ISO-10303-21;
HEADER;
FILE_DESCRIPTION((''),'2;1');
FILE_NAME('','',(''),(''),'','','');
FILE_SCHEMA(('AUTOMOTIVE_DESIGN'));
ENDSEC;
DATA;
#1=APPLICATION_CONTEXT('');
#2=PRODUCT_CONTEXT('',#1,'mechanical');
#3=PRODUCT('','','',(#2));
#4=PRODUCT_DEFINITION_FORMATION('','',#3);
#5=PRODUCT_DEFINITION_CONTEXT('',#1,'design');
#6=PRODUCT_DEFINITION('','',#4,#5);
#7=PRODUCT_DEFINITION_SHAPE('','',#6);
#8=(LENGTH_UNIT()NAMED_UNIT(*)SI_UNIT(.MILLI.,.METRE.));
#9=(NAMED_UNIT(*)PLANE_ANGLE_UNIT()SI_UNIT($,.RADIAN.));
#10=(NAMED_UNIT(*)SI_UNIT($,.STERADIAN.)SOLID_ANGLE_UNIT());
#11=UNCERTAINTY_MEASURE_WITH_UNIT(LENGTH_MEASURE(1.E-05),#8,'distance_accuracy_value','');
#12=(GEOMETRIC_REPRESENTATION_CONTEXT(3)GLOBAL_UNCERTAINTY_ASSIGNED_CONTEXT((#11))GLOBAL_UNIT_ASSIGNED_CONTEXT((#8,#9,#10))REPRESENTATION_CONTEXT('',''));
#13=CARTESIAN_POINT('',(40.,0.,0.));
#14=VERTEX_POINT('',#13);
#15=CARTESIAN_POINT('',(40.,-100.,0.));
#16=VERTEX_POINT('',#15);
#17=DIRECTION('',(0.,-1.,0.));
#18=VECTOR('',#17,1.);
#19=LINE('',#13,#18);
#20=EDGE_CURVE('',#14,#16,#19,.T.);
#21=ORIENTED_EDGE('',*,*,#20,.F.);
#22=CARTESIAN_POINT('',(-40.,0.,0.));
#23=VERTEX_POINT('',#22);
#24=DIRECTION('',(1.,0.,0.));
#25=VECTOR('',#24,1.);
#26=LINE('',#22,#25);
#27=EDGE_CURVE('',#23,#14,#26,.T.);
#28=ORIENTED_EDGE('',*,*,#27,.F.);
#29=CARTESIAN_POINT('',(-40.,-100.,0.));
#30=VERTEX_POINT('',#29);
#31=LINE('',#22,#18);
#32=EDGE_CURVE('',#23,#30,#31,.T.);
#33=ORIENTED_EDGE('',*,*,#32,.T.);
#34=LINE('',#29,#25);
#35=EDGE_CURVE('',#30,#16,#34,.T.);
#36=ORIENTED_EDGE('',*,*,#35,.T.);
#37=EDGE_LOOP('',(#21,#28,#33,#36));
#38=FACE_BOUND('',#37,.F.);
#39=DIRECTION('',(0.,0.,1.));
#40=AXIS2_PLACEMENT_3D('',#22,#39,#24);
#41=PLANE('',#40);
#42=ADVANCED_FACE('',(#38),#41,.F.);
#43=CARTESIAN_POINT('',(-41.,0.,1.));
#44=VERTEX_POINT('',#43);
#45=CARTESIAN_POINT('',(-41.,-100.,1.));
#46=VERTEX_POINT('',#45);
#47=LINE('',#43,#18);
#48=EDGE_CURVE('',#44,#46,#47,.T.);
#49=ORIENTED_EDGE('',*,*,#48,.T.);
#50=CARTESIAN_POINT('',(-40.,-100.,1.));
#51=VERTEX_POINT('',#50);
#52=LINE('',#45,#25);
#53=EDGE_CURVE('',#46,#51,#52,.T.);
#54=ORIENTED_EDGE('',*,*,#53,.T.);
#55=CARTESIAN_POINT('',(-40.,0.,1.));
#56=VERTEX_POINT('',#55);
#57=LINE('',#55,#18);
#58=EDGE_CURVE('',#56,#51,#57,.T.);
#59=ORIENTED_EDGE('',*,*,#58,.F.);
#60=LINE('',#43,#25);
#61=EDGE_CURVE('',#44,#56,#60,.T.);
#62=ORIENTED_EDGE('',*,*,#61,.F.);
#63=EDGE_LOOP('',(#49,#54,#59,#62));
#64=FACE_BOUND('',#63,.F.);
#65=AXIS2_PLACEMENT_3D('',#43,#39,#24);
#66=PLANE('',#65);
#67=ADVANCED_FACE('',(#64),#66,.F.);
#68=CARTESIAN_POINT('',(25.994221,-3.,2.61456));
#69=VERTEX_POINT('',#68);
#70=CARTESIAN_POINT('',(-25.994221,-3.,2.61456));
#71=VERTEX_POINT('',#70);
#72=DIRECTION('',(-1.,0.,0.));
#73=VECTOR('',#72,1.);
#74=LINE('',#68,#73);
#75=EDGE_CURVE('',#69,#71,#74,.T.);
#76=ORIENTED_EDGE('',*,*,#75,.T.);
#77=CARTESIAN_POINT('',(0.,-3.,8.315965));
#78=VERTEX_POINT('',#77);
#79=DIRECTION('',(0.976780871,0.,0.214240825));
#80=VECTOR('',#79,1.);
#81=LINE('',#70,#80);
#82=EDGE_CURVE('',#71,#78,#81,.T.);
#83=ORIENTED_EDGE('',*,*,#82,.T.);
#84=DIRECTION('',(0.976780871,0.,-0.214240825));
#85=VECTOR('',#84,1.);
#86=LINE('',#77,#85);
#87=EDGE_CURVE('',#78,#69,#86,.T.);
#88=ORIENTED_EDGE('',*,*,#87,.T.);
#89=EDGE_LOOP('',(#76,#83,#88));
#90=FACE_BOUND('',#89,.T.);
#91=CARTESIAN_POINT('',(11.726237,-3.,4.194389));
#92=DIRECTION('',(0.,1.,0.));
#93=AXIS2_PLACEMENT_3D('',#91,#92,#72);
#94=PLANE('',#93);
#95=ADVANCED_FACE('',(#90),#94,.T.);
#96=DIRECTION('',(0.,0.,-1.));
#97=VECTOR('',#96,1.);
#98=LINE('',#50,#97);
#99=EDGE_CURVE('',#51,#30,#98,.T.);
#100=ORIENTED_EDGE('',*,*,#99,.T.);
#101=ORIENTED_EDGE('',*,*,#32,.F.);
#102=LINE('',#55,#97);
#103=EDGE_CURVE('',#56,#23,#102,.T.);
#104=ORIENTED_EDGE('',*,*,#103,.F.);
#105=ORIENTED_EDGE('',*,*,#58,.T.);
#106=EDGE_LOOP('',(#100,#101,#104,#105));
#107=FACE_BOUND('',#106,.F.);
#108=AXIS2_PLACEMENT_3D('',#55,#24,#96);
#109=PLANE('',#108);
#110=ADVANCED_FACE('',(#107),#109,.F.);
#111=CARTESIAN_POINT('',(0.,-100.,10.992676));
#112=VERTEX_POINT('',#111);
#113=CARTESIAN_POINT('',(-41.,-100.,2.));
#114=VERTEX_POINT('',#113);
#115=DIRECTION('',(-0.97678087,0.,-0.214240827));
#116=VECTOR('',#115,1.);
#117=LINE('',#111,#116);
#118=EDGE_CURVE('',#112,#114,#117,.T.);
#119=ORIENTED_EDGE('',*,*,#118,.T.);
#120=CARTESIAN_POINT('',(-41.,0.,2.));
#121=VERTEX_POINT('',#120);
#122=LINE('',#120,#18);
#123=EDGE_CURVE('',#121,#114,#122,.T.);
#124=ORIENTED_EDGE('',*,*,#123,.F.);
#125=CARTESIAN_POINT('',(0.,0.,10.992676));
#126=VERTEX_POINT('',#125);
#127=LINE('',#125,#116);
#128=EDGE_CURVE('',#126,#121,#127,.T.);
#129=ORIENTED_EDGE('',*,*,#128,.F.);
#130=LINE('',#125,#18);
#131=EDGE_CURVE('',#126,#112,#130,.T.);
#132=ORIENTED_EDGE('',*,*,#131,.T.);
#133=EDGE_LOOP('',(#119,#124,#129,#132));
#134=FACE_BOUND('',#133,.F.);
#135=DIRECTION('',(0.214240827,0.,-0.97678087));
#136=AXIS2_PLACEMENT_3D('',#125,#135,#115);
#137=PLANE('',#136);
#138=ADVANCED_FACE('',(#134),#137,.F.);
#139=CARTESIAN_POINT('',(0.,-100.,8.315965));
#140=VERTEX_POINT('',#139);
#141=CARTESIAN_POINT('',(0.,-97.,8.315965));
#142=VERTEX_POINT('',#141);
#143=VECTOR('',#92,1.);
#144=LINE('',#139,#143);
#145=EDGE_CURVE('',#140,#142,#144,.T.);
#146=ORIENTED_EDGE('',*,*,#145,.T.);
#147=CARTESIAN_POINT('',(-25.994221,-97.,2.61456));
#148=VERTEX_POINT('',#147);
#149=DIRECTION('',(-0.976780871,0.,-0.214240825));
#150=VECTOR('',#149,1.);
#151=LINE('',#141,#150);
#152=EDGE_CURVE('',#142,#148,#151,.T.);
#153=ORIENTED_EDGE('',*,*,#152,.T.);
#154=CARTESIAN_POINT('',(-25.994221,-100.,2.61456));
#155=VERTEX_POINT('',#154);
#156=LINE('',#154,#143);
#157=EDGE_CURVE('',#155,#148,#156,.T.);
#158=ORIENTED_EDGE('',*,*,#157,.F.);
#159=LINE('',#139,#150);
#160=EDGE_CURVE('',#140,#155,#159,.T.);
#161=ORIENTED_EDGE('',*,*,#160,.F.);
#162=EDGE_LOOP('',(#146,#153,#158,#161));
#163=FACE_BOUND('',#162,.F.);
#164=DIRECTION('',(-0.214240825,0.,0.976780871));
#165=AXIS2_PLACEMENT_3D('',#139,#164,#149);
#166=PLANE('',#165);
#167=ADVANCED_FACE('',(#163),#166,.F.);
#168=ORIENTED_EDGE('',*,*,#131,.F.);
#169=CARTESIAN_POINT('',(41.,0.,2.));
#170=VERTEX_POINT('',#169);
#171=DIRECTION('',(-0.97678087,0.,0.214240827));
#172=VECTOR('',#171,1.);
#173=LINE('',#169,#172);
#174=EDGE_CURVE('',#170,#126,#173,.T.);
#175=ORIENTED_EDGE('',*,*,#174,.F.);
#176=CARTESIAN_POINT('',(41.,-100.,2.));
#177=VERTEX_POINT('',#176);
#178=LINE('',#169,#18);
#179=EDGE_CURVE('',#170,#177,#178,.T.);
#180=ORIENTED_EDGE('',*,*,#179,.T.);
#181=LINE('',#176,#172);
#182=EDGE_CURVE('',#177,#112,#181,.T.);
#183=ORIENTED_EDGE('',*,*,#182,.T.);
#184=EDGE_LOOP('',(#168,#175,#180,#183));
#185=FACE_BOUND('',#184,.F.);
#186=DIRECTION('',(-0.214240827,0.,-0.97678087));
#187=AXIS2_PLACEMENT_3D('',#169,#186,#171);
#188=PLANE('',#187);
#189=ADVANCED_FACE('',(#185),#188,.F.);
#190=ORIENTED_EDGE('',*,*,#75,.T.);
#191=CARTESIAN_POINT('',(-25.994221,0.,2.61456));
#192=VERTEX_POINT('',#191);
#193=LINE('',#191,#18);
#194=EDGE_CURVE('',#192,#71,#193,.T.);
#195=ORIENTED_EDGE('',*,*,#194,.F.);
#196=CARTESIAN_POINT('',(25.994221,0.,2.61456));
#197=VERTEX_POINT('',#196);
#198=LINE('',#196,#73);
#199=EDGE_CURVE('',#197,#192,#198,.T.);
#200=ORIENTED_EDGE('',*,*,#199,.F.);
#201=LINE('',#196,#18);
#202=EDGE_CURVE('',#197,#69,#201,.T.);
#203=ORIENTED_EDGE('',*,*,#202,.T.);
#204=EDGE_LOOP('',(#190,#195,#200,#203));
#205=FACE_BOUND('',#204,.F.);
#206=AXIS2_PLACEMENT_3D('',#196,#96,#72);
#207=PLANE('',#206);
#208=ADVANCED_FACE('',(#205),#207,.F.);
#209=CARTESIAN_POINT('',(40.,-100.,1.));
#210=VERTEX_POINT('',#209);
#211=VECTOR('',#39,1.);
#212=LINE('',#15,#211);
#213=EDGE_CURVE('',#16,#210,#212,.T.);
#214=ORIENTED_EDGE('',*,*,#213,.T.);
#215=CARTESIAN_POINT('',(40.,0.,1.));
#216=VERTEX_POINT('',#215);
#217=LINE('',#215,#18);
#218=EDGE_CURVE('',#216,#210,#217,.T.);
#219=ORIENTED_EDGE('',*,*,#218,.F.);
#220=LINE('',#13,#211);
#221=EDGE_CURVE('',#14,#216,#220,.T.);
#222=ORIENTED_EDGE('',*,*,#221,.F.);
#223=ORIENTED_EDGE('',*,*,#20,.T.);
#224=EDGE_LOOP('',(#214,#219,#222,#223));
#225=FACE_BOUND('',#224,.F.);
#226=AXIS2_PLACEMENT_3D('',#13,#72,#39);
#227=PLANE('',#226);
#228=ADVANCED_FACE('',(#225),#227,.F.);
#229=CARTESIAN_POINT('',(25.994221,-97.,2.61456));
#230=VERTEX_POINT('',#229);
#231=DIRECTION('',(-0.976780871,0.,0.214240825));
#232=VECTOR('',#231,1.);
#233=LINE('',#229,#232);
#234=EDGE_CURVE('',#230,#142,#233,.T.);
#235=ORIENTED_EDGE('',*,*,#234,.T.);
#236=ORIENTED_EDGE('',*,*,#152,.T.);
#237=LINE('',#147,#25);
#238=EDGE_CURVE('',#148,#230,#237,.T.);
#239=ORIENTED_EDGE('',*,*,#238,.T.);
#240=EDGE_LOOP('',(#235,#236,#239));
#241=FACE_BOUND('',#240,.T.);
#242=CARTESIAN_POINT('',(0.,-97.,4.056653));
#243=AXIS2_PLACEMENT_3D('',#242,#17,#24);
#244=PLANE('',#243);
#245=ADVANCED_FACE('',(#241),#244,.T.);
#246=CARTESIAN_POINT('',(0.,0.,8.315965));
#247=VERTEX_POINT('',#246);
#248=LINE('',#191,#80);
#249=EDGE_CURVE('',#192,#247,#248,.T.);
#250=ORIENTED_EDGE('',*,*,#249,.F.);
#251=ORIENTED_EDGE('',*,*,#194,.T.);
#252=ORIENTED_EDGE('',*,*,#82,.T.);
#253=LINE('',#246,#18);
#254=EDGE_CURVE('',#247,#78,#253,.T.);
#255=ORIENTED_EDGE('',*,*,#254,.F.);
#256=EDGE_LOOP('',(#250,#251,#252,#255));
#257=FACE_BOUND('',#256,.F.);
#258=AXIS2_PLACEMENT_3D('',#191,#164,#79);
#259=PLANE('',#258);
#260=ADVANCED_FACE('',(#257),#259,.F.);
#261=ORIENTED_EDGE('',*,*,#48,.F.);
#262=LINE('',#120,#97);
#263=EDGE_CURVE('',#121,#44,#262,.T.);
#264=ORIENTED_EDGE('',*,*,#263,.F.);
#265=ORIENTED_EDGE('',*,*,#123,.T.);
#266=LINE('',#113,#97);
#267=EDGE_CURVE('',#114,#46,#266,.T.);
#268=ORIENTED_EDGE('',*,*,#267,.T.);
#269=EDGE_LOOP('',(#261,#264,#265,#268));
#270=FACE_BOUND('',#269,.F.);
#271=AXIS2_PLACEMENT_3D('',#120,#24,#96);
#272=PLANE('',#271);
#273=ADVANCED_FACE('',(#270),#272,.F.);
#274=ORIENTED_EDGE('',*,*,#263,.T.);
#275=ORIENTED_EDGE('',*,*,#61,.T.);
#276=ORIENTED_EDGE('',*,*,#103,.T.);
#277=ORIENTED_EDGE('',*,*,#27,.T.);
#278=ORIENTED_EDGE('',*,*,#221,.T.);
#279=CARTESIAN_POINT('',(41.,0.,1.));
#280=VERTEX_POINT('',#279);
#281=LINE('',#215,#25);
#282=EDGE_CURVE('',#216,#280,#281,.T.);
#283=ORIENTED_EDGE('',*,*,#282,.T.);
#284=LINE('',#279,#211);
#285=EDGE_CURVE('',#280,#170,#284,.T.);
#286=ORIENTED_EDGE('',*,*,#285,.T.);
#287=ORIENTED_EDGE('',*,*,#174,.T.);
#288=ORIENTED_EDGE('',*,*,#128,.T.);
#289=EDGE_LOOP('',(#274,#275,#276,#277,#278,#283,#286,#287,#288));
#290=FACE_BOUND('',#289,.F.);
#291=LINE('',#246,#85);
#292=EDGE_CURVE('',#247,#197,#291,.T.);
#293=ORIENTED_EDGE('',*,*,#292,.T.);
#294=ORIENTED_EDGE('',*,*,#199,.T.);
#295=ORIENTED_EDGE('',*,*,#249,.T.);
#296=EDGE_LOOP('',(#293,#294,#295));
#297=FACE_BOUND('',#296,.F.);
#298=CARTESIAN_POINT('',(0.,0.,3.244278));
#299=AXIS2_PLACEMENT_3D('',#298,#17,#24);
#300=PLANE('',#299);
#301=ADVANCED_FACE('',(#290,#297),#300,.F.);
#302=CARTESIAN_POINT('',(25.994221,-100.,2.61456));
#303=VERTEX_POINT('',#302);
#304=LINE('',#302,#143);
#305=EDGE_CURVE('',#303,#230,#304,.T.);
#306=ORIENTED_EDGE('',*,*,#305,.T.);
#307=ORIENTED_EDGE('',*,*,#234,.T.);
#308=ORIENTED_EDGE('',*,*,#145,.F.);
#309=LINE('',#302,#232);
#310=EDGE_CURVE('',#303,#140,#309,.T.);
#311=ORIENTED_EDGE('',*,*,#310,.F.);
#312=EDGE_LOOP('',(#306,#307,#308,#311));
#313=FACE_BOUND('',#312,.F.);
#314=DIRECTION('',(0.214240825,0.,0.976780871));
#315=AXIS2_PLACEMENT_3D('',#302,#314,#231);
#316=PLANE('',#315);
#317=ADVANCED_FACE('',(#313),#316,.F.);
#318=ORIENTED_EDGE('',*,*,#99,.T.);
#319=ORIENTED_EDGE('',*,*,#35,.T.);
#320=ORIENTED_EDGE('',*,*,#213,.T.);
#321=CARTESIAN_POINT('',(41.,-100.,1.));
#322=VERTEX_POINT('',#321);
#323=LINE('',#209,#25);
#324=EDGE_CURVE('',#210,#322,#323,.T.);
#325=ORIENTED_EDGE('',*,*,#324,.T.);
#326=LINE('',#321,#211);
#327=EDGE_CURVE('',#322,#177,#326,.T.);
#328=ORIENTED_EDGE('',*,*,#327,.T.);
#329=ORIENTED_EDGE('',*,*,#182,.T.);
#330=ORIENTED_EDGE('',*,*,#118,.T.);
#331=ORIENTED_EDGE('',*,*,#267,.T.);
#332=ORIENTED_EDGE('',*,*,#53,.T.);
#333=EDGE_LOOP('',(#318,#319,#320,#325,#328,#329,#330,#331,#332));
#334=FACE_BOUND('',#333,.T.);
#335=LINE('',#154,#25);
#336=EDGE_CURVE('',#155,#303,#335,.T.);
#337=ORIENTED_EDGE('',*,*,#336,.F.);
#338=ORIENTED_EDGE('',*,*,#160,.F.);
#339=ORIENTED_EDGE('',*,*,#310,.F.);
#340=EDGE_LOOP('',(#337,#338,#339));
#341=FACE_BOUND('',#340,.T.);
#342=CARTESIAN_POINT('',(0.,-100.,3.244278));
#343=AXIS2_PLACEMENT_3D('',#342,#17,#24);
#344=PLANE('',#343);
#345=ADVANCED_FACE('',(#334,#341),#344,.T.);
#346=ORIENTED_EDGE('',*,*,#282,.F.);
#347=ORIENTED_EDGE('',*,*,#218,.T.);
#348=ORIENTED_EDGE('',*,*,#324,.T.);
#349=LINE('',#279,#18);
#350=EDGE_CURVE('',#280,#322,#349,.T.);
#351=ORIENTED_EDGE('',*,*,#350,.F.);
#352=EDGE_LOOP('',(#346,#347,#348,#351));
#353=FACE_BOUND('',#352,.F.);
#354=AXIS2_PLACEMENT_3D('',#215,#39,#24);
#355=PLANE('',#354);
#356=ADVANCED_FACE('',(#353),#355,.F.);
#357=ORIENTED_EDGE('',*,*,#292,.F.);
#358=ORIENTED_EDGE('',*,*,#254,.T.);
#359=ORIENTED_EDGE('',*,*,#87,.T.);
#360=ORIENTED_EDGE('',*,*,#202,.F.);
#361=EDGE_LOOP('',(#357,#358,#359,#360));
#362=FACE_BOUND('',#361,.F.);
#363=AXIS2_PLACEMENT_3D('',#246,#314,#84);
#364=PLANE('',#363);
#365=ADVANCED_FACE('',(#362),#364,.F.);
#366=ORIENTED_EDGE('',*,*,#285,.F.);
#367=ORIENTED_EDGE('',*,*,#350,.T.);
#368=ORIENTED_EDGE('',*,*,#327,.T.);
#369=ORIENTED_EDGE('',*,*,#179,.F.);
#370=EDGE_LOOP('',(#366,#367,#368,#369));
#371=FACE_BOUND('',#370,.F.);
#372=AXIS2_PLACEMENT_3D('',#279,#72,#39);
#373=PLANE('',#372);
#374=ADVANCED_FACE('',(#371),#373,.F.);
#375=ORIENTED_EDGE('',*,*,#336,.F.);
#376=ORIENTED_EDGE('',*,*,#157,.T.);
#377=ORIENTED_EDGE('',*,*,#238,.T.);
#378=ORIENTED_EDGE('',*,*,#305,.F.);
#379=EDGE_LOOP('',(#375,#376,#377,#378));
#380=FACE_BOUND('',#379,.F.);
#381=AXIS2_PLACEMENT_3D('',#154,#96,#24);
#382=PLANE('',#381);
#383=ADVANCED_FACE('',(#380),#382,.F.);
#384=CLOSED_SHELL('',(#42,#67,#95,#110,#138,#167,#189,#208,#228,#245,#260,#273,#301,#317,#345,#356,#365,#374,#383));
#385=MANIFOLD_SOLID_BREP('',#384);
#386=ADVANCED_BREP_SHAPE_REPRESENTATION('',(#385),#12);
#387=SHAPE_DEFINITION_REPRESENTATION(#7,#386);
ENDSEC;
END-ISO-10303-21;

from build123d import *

# Parameters (mm, degrees)
F1_DEPTH = 100
F3_DEPTH = 3
F5_DEPTH = 3


with BuildPart() as f1:
    # F0 (on Front) → F1 (new body)
    with BuildSketch(Plane.XZ):
        Polygon((-40, 0), (0, 0), (40, 0), (40, 1), (41, 1), (41, 2), (0, 10.992676), (-41, 2), (-41, 1), (-40, 1), align=None)
    extrude(amount=F1_DEPTH)

    # F2 (on face) → F3 (cut)
    with BuildSketch(Plane(origin=(0, 0, 0), x_dir=(-1, 0, 0), z_dir=(0, 1, 0))):
        Polygon((0, 8.315965), (-25.994221, 2.61456), (0, 2.61456), align=None)
        Polygon((25.994221, 2.61456), (0, 8.315965), (0, 2.61456), align=None)
    extrude(amount=-F3_DEPTH, mode=Mode.SUBTRACT)

    # F4 (on face) → F5 (cut)
    with BuildSketch(Plane.XZ.offset(100)):
        Polygon((0, 2.61456), (25.994221, 2.61456), (0, 8.315965), (-25.994221, 2.61456), align=None)
    extrude(amount=-F5_DEPTH, mode=Mode.SUBTRACT)


solid = f1.part
